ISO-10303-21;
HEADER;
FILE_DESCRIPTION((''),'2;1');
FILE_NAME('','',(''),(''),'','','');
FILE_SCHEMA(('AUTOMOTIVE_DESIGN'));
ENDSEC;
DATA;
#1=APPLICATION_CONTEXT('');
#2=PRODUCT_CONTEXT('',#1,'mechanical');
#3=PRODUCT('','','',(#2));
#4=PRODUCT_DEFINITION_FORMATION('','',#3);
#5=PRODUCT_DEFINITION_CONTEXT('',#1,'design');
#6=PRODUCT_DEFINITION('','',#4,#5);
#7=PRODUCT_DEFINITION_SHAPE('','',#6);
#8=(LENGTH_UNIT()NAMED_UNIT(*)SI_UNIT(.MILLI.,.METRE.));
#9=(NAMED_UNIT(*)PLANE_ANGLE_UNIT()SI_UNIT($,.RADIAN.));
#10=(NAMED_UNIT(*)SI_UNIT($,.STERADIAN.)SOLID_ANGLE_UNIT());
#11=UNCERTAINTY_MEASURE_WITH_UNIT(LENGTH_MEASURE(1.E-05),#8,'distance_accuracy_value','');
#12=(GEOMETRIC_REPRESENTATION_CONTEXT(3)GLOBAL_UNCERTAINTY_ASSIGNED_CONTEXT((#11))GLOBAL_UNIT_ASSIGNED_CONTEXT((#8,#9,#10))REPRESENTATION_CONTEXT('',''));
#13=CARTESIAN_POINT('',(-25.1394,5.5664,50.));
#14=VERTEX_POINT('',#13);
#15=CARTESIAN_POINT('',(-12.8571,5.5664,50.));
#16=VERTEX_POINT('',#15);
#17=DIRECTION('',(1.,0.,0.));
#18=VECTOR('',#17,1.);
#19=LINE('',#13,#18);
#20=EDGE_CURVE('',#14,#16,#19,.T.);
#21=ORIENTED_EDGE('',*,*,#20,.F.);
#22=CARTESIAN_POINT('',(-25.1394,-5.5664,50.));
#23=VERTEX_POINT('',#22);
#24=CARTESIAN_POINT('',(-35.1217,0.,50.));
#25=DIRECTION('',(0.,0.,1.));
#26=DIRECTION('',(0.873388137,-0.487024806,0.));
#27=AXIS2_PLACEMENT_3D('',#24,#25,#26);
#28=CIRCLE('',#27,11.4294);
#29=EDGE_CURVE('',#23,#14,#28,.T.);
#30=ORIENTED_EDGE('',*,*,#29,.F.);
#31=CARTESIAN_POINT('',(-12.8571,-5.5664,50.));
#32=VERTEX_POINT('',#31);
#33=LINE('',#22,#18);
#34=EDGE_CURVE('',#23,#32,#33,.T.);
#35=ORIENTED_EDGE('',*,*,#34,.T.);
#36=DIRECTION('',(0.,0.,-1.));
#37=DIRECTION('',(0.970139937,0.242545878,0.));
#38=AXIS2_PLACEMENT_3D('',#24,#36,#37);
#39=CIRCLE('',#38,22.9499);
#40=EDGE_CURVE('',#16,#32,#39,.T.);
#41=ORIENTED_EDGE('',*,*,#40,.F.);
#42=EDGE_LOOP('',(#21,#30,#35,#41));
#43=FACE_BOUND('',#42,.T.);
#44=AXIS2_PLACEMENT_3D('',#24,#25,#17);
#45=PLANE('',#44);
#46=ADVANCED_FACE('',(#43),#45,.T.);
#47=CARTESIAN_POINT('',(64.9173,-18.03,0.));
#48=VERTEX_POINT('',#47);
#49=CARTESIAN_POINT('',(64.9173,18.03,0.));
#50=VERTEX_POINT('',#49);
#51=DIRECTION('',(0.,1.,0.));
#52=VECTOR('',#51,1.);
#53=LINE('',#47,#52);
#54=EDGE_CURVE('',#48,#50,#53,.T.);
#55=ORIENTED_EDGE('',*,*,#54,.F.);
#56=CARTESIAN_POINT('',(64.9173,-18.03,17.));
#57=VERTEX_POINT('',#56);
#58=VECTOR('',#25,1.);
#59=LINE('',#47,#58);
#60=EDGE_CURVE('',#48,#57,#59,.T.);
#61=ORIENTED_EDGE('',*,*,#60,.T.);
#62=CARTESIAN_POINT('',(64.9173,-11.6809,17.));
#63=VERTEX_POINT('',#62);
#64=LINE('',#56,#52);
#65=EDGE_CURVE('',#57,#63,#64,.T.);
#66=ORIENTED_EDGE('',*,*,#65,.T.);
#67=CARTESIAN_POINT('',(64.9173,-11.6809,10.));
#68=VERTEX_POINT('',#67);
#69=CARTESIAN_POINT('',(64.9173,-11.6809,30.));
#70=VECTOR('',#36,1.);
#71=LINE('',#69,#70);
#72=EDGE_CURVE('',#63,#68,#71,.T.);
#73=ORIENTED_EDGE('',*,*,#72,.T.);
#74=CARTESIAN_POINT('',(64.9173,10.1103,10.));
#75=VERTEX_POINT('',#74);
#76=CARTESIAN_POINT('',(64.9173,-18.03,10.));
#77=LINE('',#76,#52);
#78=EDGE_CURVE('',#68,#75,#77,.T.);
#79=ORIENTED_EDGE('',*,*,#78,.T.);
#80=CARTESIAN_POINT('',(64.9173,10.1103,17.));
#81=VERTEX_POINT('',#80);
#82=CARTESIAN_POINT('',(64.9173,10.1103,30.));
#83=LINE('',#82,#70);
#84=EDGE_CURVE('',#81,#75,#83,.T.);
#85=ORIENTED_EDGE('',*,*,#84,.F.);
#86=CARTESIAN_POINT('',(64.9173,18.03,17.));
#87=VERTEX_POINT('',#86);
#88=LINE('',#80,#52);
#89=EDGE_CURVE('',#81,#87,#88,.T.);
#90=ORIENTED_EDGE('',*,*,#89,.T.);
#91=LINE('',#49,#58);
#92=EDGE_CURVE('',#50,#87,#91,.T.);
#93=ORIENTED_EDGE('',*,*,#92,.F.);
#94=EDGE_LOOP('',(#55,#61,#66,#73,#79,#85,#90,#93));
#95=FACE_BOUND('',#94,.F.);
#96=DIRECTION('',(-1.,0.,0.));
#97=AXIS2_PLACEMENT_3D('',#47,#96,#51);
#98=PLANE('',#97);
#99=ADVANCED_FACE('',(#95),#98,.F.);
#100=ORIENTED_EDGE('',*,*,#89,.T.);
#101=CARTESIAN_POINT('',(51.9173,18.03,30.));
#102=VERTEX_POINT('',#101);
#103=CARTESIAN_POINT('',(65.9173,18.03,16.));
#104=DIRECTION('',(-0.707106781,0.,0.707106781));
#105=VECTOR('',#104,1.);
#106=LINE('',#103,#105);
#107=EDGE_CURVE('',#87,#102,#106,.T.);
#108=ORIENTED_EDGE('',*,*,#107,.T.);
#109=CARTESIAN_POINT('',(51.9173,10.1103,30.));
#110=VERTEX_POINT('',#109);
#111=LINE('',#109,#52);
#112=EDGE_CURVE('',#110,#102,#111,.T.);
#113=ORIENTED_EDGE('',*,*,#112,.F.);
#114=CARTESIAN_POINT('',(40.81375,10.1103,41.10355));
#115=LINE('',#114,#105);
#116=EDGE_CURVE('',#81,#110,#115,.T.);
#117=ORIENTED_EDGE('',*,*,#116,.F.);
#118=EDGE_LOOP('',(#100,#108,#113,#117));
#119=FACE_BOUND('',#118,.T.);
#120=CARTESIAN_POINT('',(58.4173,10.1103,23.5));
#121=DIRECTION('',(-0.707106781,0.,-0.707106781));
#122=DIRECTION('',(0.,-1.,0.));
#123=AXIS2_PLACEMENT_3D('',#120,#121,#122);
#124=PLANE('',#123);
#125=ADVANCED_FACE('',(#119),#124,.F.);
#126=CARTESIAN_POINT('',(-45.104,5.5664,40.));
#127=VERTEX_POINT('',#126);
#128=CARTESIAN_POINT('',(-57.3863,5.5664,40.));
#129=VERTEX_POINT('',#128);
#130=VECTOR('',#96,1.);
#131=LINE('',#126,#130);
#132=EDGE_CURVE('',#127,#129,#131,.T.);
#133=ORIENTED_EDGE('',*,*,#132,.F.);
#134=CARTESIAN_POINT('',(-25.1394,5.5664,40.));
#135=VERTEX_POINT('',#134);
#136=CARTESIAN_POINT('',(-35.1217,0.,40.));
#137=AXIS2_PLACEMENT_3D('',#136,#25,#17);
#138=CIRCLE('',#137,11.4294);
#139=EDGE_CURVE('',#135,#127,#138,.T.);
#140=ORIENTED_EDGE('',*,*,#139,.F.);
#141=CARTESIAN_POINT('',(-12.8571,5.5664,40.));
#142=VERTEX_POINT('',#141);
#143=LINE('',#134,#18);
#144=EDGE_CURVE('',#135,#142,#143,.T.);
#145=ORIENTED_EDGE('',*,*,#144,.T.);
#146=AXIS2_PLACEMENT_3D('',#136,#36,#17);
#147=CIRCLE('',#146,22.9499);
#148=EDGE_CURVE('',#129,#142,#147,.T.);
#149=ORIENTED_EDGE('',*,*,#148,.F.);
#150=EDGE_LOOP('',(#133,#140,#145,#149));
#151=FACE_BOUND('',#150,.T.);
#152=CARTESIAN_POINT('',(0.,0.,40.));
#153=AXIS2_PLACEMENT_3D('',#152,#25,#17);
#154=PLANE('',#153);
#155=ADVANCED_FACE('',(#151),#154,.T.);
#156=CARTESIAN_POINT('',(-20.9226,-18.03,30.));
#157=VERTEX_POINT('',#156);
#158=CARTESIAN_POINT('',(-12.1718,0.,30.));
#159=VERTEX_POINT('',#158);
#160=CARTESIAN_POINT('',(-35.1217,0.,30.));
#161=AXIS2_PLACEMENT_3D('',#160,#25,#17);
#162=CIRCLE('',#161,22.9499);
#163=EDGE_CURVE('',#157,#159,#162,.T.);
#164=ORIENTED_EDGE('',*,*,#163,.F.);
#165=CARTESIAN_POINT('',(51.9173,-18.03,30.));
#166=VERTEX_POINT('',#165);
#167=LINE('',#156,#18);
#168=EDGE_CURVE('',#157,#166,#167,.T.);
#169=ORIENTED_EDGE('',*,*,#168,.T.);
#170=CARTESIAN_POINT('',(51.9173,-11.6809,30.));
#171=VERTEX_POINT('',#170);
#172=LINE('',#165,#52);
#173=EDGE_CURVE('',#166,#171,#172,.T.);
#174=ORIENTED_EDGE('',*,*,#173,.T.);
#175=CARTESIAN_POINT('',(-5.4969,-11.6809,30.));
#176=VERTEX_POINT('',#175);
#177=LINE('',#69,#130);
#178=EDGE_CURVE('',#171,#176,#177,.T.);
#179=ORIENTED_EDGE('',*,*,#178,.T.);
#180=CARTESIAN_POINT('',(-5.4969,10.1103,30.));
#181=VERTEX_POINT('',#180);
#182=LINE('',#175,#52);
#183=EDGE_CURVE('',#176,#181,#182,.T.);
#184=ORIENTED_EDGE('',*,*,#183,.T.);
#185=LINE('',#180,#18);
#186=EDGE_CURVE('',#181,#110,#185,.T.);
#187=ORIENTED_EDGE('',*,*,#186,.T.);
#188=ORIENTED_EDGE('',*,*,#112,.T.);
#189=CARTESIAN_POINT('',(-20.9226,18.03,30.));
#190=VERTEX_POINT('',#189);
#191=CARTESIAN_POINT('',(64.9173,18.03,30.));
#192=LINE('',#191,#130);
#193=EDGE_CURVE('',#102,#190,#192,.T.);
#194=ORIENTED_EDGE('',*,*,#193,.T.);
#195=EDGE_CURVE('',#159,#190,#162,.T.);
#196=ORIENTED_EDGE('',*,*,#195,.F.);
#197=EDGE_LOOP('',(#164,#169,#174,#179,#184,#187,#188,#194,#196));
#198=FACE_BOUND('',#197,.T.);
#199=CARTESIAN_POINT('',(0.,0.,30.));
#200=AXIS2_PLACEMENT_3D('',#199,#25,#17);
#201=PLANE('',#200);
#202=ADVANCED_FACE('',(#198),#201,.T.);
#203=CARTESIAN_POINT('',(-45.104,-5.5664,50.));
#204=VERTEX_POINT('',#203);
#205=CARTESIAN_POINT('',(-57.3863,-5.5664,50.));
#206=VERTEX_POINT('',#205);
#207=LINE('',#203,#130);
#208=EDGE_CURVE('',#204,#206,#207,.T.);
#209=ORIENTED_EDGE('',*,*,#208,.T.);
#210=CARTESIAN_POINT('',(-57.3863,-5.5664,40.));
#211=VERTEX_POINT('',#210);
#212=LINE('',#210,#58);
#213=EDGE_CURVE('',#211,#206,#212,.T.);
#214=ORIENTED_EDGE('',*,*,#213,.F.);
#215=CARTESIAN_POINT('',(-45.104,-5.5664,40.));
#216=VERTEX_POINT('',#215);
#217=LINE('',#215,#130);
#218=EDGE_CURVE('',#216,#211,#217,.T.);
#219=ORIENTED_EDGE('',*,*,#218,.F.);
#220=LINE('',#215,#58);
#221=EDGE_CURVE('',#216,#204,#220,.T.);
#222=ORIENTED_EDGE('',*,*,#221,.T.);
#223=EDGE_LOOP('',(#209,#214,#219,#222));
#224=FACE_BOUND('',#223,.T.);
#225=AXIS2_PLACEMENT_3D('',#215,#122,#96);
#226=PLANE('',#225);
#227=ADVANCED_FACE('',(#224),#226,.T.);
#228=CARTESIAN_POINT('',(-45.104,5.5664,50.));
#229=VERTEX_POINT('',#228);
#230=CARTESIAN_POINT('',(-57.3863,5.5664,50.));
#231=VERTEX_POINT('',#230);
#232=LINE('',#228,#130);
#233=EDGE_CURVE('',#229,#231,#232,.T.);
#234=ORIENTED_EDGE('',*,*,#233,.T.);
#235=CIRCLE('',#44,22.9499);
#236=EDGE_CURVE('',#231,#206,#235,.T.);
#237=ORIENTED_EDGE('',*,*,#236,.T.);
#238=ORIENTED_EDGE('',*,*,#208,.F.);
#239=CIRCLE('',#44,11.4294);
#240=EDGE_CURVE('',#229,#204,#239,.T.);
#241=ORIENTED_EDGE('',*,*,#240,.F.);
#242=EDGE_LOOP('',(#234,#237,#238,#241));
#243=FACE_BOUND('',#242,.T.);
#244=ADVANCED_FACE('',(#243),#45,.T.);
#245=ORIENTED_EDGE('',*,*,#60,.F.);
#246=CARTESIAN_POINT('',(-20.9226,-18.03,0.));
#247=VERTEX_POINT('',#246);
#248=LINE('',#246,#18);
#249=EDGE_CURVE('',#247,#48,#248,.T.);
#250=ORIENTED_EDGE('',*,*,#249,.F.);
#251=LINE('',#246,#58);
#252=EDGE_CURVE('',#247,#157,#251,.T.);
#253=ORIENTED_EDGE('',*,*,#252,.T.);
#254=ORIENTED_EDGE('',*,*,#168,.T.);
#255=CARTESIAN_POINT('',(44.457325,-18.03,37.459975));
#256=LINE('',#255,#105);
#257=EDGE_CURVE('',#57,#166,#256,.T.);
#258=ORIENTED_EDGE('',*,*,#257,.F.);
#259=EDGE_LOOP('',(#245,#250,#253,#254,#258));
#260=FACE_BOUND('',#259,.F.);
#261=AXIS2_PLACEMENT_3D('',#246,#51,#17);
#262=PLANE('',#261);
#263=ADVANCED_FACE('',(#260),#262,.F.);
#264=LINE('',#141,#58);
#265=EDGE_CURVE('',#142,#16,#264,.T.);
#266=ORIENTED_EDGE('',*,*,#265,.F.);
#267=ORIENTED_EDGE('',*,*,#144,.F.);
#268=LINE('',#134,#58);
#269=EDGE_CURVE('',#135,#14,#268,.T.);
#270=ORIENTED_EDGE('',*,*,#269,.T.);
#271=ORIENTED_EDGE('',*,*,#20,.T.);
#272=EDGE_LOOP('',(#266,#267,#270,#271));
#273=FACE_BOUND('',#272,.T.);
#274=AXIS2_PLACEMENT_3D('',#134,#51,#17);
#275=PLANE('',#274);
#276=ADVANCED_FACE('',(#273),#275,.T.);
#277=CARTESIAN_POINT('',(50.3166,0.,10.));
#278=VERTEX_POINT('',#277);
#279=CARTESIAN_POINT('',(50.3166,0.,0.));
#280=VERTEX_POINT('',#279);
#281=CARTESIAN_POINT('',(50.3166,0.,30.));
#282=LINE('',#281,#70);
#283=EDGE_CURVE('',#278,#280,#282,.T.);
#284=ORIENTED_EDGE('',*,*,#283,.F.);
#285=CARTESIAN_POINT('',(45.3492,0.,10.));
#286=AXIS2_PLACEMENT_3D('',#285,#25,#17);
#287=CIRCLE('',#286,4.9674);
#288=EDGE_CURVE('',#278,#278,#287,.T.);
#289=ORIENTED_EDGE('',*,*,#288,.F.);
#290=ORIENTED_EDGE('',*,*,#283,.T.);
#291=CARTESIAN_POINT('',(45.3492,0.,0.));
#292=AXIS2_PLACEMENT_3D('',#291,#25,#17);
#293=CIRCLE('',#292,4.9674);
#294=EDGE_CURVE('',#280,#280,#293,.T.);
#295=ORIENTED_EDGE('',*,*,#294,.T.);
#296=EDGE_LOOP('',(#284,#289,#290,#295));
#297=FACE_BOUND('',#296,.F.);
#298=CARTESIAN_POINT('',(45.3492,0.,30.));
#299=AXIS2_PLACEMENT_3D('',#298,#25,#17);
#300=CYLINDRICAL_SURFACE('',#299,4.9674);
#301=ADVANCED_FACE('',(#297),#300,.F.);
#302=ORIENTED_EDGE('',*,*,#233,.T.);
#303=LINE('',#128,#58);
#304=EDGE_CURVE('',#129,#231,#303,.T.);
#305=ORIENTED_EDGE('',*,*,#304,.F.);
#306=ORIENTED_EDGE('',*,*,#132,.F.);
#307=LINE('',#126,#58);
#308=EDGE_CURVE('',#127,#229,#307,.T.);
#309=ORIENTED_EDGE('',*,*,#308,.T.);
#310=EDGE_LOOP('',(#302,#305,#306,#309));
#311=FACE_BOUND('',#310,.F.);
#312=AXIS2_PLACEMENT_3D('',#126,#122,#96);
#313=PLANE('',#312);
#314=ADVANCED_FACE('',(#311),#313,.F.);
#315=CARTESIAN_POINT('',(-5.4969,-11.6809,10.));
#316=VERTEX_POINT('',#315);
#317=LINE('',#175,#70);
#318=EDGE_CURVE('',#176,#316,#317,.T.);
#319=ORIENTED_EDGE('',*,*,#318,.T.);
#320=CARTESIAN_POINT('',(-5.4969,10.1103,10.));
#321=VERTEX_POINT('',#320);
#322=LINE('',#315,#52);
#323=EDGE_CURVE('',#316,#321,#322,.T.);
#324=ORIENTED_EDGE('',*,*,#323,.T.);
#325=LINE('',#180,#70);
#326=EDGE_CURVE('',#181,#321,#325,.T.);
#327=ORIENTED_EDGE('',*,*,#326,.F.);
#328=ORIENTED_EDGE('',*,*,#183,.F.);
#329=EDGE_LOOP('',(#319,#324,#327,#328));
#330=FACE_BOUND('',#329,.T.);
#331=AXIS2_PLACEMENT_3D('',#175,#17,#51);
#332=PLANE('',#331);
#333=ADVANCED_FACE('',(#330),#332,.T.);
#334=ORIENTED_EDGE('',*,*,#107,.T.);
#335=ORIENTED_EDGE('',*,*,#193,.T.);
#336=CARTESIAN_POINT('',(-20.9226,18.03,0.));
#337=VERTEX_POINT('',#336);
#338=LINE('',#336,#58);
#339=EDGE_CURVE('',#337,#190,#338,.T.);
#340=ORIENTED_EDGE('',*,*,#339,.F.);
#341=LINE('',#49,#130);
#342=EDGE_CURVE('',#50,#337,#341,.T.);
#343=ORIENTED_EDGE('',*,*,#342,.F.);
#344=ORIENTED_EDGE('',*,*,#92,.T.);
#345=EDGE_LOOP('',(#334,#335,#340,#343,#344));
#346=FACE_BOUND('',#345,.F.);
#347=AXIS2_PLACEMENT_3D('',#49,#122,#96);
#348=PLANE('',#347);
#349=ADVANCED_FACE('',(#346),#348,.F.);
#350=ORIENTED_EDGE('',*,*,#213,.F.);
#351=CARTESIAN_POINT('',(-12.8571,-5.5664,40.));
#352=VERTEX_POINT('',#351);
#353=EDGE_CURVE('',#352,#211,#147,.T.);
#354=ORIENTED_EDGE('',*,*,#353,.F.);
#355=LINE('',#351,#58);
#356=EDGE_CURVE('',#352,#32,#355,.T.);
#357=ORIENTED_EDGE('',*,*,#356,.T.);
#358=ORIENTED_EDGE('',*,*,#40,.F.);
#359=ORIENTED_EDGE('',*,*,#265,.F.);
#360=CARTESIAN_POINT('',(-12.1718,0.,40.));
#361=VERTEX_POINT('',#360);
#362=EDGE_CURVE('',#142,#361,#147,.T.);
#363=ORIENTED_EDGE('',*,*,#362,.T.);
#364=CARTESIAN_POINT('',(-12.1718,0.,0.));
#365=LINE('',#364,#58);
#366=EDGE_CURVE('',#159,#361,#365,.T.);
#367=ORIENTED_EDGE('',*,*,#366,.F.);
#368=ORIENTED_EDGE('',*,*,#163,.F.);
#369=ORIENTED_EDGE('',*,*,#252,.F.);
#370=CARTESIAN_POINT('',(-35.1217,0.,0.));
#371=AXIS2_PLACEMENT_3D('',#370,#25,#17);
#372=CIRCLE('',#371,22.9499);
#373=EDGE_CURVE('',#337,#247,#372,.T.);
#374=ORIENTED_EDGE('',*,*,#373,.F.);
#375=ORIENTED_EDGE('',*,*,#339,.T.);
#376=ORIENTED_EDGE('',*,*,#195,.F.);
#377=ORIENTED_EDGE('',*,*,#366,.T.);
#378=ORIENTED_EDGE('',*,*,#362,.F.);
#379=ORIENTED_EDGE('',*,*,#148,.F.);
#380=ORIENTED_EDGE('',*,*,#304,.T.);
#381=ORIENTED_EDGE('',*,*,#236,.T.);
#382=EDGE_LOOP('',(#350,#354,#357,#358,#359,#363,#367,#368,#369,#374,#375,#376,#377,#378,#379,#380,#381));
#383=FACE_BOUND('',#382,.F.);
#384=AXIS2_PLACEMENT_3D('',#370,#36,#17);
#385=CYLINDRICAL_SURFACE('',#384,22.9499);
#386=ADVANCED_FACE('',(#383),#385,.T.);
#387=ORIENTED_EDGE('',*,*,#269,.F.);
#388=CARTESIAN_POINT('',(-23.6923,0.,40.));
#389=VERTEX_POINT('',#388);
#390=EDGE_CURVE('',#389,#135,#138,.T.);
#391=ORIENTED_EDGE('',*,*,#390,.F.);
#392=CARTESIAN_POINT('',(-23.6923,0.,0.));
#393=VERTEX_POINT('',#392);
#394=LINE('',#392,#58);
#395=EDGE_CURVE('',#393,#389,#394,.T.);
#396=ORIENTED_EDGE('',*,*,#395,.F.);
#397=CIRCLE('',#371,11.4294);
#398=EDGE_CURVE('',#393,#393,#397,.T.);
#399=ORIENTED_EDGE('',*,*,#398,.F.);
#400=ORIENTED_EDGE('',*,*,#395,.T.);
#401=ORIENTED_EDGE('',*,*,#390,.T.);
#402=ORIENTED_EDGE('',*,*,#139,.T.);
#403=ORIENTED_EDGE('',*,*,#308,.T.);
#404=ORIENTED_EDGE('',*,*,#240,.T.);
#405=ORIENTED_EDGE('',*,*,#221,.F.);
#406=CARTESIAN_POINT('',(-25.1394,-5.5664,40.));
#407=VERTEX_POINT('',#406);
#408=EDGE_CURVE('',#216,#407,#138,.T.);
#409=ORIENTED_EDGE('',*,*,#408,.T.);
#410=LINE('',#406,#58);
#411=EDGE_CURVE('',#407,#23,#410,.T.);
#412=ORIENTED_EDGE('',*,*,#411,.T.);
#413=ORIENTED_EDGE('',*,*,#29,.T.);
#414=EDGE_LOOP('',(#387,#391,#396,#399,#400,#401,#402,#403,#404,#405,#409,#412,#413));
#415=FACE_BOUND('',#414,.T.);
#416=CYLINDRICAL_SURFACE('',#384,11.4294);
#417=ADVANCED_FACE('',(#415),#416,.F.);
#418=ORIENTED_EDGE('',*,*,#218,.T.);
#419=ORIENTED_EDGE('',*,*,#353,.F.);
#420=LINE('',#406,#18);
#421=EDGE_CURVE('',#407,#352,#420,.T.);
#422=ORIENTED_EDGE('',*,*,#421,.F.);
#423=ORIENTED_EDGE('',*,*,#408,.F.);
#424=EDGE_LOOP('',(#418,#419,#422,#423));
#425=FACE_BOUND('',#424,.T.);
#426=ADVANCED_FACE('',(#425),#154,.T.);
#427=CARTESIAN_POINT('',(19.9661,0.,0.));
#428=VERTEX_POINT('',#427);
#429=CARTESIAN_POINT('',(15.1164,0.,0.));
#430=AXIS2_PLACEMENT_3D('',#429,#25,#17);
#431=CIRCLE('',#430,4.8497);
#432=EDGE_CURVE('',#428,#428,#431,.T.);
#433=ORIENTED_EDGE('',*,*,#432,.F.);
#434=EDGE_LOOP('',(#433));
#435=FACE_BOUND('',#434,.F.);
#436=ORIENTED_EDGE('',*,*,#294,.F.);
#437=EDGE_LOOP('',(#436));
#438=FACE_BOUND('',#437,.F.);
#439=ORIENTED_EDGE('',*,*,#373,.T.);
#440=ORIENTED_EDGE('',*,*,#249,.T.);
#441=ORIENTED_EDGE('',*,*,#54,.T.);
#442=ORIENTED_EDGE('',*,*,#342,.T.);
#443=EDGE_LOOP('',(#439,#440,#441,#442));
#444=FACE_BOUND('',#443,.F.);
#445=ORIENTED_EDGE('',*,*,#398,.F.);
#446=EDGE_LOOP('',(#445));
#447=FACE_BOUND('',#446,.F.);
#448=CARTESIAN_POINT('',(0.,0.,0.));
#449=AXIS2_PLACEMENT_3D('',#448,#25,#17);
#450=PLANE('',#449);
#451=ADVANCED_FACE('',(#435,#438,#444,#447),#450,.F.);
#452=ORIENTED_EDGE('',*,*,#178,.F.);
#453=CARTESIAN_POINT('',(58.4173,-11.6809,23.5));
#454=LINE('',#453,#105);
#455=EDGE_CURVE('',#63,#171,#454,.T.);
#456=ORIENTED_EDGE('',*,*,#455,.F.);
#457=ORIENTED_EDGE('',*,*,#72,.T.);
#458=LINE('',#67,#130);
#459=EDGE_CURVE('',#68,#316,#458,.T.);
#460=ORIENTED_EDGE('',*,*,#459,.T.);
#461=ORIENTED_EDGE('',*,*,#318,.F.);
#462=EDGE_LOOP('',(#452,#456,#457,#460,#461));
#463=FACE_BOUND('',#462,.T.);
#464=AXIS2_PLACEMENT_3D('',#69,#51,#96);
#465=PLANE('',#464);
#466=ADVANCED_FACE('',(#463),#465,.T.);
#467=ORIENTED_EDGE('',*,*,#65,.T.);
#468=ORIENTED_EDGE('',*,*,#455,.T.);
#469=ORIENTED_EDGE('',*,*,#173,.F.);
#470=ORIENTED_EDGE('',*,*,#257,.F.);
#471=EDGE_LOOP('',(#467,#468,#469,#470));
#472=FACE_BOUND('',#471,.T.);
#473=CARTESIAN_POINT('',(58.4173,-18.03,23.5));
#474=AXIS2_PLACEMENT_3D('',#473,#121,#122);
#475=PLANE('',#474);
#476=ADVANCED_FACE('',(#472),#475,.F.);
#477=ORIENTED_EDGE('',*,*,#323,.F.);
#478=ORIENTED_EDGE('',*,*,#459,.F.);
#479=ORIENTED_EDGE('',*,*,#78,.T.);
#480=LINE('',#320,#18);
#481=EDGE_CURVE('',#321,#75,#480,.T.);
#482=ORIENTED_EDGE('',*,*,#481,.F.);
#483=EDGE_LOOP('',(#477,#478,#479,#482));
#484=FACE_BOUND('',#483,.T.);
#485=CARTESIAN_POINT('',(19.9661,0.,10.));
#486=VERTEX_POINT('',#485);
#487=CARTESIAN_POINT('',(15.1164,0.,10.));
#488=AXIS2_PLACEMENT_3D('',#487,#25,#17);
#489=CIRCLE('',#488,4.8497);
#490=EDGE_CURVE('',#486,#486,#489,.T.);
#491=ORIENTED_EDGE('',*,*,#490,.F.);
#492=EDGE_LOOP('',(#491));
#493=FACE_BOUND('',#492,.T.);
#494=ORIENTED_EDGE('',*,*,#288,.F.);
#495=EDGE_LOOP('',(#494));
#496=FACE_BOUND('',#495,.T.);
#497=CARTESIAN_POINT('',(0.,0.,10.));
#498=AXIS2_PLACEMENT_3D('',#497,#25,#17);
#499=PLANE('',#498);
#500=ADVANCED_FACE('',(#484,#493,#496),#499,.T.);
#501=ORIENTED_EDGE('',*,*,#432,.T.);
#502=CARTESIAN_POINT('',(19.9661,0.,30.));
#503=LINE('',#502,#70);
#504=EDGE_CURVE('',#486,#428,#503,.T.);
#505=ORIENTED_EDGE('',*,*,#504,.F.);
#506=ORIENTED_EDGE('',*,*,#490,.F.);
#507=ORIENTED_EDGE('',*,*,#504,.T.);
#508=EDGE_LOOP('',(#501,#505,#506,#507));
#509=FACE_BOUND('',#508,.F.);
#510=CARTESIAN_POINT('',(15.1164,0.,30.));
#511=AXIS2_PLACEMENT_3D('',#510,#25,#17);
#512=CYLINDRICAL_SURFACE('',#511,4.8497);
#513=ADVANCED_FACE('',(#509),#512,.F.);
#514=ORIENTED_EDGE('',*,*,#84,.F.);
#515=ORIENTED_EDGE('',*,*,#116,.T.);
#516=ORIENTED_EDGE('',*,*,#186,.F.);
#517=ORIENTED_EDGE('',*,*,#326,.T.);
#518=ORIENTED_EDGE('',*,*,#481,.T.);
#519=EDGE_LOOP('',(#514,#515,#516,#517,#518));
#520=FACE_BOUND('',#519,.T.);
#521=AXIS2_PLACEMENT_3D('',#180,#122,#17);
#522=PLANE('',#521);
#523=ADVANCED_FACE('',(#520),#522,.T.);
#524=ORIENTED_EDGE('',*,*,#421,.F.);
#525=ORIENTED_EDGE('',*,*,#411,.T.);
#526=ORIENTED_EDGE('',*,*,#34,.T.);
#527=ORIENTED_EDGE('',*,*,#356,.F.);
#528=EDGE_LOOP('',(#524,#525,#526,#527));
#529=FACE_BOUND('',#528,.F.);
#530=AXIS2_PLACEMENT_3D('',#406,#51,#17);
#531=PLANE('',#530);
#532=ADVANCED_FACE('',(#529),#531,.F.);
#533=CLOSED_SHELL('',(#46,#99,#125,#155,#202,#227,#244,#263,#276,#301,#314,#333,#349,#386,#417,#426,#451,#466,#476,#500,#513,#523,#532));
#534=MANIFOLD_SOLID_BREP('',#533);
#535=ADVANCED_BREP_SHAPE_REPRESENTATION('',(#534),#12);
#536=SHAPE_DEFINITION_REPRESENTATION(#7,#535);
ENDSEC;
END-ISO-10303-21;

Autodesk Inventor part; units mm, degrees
ref_plane "YZ Plane" through (0, 0, 0) normal (1, 0, 0) x (0, 1, 0)
ref_plane "XZ Plane" through (0, 0, 0) normal (0, 1, 0) x (-1, 0, 0)
ref_plane "XY Plane" through (0, 0, 0) normal (0, 0, 1) x (1, 0, 0)
sketch "스케치1" plane through (0, 0, 0) normal (0, 0, 1) x (1, 0, 0)
  circle A0 centre (-35.1217, 0) radius 22.9499
  circle A1 centre (-35.1217, 0) radius 11.4294
  line L0 (-20.9226, -18.03) -> (64.9173, -18.03)
  line L1 (64.9173, -18.03) -> (64.9173, 18.03)
  line L2 (64.9173, 18.03) -> (-20.9226, 18.03)
  point P0 (0, 0)
extrude "돌출1" add sketch "스케치1" along normal blind 30 contours A0 L2 L1 L0
extrude "돌출2" add sketch "스케치1" along normal blind 40 contours A0
sketch "스케치2" plane through (-35.1217, 0, 40) normal (0, 0, 1) x (1, 0, 0)
  circle A0 centre (0, 0) radius 11.4294 projected
  line L0 (9.9823, 5.5664) -> (22.2646, 5.5664)
  circle A1 centre (0, 0) radius 22.9499 projected
  line L1 (9.9823, -5.5664) -> (22.2646, -5.5664)
  line L2 (-9.9823, 5.5664) -> (-22.2646, 5.5664)
  line L3 (-9.9823, -5.5664) -> (-22.2646, -5.5664)
  point P0 (35.1217, 0)
extrude "돌출3" add sketch "스케치2" along normal blind 10 contours A0 L0 A1 L1 | A0 L3 A1 L2
sketch "스케치3" plane through (0, 0, 30) normal (0, 0, 1) x (1, 0, 0)
  line L0 (64.9173, -18.03) -> (64.9173, 18.03) projected
  line L1 (-5.4969, 10.1103) -> (64.9173, 10.1103)
  line L2 (64.9173, 10.1103) -> (64.9173, -11.6809)
  line L3 (64.9173, -11.6809) -> (-5.4969, -11.6809)
  line L4 (-5.4969, -11.6809) -> (-5.4969, 10.1103)
  circle A0 centre (15.1164, 0) radius 4.8497
  circle A1 centre (45.3492, 0) radius 4.9674
  point P0 (0, 0)
extrude "돌출4" cut sketch "스케치3" against normal blind 50 contours A0 | A1
extrude "돌출5" cut sketch "스케치3" against normal blind 20
chamfer "모따기1" distance 13 angle 45 2 edges at (64.9173, 14.0702, 30) (64.9173, -14.8554, 30)
properties part number "240510_3Dsketch06"
